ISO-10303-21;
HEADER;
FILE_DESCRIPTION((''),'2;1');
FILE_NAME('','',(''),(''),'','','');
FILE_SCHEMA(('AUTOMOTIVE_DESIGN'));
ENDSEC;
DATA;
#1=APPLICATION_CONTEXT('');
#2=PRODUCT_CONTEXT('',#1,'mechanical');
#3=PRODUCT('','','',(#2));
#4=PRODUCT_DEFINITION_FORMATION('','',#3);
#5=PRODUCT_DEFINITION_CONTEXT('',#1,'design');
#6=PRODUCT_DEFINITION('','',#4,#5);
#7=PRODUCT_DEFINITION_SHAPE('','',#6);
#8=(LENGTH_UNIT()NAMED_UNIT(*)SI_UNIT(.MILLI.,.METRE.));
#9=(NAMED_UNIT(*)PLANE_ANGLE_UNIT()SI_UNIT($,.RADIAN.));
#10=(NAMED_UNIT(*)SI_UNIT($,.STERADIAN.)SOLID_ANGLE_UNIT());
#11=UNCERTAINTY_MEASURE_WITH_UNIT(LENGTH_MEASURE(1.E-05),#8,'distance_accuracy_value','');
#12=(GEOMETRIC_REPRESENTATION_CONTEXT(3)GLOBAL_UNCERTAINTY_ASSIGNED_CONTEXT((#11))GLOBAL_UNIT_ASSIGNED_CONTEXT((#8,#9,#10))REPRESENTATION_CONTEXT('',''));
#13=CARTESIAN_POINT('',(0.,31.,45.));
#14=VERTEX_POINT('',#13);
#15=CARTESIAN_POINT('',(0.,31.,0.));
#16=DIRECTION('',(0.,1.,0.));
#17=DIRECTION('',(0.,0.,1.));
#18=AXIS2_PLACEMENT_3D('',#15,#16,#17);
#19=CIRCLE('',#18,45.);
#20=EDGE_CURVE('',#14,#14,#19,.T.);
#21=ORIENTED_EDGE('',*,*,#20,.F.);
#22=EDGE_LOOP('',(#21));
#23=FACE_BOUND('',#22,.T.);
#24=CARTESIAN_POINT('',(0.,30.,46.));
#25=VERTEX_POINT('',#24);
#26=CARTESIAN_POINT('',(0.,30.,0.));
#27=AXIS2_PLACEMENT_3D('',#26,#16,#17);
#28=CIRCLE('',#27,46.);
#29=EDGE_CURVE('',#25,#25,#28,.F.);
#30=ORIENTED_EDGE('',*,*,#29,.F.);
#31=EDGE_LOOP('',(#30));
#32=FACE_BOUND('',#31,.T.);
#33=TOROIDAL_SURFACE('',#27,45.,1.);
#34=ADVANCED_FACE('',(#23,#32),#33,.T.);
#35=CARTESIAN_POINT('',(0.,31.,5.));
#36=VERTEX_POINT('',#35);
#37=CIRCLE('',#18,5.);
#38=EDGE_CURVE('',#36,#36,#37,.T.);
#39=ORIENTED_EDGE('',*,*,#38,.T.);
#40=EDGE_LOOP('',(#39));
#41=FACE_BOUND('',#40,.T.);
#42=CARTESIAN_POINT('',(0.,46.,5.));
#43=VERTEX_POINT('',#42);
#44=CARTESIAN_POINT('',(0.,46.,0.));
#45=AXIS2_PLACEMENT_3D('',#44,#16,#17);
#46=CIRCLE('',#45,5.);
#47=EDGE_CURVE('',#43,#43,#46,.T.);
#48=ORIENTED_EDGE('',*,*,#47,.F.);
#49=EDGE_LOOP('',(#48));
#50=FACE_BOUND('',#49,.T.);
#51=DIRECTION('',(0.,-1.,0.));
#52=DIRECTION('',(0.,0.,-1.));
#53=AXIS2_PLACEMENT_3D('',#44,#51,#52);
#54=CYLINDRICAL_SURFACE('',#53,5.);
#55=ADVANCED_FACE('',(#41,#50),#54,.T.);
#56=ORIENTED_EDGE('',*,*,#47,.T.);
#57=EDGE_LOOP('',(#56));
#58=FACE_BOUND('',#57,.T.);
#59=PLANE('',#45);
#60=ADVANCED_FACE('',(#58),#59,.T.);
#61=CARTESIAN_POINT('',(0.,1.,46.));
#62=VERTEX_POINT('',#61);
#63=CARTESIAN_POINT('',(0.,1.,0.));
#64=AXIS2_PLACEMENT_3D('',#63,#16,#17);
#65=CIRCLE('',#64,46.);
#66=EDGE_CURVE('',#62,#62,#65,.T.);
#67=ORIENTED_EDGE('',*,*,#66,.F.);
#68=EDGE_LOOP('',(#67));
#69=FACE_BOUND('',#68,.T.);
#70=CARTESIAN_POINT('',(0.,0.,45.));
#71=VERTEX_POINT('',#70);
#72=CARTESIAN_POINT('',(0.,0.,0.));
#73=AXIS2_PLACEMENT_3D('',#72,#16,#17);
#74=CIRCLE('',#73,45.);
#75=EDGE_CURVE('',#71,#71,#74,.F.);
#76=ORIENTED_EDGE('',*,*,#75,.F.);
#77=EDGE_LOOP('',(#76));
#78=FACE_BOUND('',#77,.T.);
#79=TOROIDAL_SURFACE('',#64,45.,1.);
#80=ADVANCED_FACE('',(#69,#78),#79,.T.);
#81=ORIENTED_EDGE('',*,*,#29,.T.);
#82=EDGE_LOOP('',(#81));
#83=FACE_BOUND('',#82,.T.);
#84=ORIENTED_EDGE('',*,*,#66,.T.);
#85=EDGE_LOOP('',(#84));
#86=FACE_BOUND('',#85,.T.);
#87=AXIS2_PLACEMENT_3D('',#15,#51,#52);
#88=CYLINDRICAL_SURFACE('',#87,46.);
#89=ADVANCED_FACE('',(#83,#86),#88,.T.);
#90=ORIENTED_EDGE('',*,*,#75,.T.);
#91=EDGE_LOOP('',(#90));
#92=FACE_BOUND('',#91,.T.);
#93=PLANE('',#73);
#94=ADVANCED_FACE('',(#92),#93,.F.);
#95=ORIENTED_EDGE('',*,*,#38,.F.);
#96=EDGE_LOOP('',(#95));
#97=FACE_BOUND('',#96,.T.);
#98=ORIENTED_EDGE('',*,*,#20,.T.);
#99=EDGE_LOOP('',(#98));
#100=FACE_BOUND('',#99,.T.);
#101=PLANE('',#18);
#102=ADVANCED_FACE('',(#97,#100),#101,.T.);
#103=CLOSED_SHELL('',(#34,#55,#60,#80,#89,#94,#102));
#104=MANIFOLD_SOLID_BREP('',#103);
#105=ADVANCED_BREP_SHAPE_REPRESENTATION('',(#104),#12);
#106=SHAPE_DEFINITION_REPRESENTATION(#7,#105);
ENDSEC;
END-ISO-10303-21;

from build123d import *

# Parameters (mm, degrees)
SKETCH_1_R      = 46
EXTRUDE_1_DEPTH = 31
SKETCH_2_R      = 5
EXTRUDE_2_DEPTH = 15
FILLET_2_R      = 1


with BuildPart() as part:
    # 草图1 → 凸台-拉伸1 (new body)
    with BuildSketch(Plane(origin=(0, 0, 0), x_dir=(1, 0, 0), z_dir=(0, 1, 0))):
        with Locations(Location((0, 0, 0), (0, 0, 270))):
            Circle(SKETCH_1_R)
    extrude(amount=EXTRUDE_1_DEPTH)

    # 草图2 → 凸台-拉伸2 (add)
    with BuildSketch(Plane(origin=(0, 31, 0), x_dir=(1, 0, 0), z_dir=(0, 1, 0))):
        with Locations(Location((0, 0, 0), (0, 0, 270))):
            Circle(SKETCH_2_R)
    extrude(amount=EXTRUDE_2_DEPTH)

    # 圆角2
    fillet_2_edges = [part.edges().sort_by_distance(p)[0] for p in [
        (0, 0, -46),
        (0, 31, -46),
    ]]
    fillet(fillet_2_edges, radius=FILLET_2_R)


solid = part.part
